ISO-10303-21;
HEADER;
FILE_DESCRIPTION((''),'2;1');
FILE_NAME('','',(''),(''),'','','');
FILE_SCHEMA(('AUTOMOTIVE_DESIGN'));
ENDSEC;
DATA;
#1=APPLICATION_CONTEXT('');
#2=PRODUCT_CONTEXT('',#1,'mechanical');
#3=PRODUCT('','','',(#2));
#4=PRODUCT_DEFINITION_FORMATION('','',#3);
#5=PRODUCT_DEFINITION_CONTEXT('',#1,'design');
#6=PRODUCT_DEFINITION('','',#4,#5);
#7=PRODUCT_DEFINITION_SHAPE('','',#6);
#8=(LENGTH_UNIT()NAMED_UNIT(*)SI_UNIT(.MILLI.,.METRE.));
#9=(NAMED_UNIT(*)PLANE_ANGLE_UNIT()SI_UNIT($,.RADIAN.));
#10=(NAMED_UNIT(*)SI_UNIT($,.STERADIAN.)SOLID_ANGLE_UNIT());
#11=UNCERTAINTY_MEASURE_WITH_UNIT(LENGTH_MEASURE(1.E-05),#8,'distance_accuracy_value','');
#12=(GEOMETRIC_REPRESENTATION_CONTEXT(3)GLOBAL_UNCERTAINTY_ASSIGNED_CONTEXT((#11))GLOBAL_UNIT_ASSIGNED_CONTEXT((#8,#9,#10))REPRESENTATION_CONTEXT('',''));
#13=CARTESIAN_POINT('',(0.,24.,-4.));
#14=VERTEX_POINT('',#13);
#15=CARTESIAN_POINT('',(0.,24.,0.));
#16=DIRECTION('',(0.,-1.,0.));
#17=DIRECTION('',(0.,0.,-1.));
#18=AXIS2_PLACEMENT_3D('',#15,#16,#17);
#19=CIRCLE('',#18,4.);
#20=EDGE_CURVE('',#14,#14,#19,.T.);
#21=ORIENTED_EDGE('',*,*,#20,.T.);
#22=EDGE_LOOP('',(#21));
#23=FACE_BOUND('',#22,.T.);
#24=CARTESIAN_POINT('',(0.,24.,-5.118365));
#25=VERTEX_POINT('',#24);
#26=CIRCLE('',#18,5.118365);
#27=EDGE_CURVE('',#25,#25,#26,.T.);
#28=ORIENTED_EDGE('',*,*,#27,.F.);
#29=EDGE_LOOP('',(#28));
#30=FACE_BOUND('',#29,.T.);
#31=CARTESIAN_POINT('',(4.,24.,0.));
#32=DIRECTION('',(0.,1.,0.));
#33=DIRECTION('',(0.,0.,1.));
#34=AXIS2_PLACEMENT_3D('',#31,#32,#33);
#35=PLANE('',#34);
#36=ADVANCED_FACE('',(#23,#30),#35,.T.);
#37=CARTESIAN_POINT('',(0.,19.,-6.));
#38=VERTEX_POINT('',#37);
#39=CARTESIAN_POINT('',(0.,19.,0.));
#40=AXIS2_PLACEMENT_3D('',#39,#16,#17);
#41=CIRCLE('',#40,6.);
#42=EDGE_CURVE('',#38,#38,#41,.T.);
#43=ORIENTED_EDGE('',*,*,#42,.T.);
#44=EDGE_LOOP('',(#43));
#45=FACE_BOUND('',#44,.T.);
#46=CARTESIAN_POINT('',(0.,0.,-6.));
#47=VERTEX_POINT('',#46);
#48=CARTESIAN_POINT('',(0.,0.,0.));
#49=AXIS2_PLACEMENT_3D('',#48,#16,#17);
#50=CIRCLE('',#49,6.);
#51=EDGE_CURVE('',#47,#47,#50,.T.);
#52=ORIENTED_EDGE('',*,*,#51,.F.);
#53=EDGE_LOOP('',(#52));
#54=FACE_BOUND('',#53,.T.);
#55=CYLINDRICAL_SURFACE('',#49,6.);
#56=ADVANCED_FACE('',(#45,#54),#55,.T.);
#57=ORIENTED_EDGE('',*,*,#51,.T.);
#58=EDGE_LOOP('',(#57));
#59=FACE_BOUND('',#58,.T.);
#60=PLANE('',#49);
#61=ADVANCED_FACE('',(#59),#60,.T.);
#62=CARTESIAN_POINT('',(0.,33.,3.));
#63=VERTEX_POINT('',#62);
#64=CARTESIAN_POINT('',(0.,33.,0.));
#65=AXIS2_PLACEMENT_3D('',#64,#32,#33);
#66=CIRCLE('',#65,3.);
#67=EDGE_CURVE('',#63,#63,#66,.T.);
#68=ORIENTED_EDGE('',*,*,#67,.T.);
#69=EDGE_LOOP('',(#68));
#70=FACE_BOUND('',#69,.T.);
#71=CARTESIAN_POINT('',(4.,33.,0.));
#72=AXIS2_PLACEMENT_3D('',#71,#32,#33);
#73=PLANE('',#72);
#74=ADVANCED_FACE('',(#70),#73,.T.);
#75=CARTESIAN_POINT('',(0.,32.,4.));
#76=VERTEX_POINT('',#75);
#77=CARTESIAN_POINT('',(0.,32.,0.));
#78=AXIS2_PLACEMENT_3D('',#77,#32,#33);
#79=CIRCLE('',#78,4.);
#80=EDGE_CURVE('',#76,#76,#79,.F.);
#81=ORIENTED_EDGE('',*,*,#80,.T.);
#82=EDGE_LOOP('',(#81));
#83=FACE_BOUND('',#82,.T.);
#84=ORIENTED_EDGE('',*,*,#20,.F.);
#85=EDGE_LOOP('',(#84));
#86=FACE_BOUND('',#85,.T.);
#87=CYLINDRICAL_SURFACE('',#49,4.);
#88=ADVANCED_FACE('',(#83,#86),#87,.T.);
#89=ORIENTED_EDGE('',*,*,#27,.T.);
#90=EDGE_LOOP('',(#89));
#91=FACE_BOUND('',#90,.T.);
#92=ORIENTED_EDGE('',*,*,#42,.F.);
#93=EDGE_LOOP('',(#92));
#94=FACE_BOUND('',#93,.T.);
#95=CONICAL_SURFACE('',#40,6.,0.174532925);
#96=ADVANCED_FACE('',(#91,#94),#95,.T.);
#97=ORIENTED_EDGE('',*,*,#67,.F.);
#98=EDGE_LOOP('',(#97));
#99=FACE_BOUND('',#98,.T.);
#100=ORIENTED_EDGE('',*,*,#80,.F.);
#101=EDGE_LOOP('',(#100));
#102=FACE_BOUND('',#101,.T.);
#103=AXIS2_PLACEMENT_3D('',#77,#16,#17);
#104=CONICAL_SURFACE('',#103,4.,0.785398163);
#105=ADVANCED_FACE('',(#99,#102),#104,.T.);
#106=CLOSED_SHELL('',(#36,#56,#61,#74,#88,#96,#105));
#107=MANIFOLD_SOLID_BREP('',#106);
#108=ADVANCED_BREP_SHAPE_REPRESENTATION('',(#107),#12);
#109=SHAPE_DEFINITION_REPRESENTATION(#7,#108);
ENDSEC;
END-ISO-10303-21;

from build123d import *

# Parameters (mm, degrees)
CHANFREIN1_SIZE = 1


with BuildPart() as part:
    # Esquisse1 → Révolution1 (revolve)
    with BuildSketch(Plane.XY, mode=Mode.PRIVATE) as r_volution1_sk:
        Polygon((0, 0), (6, 0), (6, 19), (5.118365096, 24), (4, 24), (4, 33), (0, 33), align=None)
    revolve(r_volution1_sk.sketch.rotate(Axis((0, 0, 0), (0, 1, 0)), 90), axis=Axis((0, 0, 0), (0, 1, 0)))

    # Chanfrein1
    chanfrein1_edges = [part.edges().sort_by_distance(p)[0] for p in [
        (0, 33, 4),
    ]]
    chamfer(chanfrein1_edges, length=CHANFREIN1_SIZE)


solid = part.part
